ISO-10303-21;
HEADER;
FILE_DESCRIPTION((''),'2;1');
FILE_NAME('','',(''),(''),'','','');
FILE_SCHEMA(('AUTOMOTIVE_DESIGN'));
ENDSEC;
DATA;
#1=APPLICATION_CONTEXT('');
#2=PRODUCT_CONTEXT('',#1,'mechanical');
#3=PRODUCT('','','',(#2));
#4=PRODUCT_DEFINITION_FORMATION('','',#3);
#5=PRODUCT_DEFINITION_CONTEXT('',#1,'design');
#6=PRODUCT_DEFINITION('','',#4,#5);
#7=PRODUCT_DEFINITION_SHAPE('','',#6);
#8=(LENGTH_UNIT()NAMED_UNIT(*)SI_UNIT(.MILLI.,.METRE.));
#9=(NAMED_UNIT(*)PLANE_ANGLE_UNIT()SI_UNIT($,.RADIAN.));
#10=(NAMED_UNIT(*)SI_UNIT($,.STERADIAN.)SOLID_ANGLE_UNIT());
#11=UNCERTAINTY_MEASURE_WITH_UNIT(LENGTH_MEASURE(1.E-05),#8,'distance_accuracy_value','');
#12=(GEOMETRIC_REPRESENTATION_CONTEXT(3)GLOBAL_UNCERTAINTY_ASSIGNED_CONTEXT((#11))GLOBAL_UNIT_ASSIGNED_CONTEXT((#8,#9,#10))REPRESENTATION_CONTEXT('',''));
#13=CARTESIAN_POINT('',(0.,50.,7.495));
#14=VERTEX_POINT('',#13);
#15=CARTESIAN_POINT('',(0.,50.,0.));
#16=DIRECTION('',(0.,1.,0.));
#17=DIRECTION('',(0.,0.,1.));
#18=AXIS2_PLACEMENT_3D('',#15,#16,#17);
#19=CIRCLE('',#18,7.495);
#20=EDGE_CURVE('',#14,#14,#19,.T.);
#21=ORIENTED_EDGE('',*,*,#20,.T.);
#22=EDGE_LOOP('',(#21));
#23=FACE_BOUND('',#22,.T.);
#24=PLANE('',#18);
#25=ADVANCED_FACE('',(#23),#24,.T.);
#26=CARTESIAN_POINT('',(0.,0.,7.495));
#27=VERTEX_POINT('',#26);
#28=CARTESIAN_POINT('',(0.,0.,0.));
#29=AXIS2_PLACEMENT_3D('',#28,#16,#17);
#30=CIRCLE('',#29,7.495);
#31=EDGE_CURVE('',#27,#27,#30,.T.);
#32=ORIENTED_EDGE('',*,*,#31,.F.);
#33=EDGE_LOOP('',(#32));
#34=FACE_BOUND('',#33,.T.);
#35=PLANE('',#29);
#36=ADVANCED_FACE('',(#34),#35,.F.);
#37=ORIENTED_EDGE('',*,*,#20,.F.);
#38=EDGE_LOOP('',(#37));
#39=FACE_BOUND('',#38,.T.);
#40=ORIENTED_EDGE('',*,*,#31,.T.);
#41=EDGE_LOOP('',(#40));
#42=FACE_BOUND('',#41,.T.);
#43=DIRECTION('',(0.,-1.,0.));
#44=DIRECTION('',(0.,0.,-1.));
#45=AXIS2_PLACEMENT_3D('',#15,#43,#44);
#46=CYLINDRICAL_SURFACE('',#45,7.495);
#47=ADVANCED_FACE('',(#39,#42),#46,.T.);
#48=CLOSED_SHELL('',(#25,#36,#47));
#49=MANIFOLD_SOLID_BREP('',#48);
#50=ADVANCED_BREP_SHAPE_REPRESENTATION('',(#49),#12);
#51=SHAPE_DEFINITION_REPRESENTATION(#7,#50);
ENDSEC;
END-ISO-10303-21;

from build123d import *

# Parameters (mm, degrees)
IZIM1_R                     = 7.495
Y_KSEKLIK_EKSTR_ZYON1_DEPTH = 50


with BuildPart() as part:
    # Çizim1 → Yükseklik-Ekstrüzyon1 (new body)
    with BuildSketch(Plane(origin=(0, 0, 0), x_dir=(1, 0, 0), z_dir=(0, 1, 0))):
        with Locations(Location((0, 0, 0), (0, 0, 270))):
            Circle(IZIM1_R)
    extrude(amount=Y_KSEKLIK_EKSTR_ZYON1_DEPTH)


solid = part.part
